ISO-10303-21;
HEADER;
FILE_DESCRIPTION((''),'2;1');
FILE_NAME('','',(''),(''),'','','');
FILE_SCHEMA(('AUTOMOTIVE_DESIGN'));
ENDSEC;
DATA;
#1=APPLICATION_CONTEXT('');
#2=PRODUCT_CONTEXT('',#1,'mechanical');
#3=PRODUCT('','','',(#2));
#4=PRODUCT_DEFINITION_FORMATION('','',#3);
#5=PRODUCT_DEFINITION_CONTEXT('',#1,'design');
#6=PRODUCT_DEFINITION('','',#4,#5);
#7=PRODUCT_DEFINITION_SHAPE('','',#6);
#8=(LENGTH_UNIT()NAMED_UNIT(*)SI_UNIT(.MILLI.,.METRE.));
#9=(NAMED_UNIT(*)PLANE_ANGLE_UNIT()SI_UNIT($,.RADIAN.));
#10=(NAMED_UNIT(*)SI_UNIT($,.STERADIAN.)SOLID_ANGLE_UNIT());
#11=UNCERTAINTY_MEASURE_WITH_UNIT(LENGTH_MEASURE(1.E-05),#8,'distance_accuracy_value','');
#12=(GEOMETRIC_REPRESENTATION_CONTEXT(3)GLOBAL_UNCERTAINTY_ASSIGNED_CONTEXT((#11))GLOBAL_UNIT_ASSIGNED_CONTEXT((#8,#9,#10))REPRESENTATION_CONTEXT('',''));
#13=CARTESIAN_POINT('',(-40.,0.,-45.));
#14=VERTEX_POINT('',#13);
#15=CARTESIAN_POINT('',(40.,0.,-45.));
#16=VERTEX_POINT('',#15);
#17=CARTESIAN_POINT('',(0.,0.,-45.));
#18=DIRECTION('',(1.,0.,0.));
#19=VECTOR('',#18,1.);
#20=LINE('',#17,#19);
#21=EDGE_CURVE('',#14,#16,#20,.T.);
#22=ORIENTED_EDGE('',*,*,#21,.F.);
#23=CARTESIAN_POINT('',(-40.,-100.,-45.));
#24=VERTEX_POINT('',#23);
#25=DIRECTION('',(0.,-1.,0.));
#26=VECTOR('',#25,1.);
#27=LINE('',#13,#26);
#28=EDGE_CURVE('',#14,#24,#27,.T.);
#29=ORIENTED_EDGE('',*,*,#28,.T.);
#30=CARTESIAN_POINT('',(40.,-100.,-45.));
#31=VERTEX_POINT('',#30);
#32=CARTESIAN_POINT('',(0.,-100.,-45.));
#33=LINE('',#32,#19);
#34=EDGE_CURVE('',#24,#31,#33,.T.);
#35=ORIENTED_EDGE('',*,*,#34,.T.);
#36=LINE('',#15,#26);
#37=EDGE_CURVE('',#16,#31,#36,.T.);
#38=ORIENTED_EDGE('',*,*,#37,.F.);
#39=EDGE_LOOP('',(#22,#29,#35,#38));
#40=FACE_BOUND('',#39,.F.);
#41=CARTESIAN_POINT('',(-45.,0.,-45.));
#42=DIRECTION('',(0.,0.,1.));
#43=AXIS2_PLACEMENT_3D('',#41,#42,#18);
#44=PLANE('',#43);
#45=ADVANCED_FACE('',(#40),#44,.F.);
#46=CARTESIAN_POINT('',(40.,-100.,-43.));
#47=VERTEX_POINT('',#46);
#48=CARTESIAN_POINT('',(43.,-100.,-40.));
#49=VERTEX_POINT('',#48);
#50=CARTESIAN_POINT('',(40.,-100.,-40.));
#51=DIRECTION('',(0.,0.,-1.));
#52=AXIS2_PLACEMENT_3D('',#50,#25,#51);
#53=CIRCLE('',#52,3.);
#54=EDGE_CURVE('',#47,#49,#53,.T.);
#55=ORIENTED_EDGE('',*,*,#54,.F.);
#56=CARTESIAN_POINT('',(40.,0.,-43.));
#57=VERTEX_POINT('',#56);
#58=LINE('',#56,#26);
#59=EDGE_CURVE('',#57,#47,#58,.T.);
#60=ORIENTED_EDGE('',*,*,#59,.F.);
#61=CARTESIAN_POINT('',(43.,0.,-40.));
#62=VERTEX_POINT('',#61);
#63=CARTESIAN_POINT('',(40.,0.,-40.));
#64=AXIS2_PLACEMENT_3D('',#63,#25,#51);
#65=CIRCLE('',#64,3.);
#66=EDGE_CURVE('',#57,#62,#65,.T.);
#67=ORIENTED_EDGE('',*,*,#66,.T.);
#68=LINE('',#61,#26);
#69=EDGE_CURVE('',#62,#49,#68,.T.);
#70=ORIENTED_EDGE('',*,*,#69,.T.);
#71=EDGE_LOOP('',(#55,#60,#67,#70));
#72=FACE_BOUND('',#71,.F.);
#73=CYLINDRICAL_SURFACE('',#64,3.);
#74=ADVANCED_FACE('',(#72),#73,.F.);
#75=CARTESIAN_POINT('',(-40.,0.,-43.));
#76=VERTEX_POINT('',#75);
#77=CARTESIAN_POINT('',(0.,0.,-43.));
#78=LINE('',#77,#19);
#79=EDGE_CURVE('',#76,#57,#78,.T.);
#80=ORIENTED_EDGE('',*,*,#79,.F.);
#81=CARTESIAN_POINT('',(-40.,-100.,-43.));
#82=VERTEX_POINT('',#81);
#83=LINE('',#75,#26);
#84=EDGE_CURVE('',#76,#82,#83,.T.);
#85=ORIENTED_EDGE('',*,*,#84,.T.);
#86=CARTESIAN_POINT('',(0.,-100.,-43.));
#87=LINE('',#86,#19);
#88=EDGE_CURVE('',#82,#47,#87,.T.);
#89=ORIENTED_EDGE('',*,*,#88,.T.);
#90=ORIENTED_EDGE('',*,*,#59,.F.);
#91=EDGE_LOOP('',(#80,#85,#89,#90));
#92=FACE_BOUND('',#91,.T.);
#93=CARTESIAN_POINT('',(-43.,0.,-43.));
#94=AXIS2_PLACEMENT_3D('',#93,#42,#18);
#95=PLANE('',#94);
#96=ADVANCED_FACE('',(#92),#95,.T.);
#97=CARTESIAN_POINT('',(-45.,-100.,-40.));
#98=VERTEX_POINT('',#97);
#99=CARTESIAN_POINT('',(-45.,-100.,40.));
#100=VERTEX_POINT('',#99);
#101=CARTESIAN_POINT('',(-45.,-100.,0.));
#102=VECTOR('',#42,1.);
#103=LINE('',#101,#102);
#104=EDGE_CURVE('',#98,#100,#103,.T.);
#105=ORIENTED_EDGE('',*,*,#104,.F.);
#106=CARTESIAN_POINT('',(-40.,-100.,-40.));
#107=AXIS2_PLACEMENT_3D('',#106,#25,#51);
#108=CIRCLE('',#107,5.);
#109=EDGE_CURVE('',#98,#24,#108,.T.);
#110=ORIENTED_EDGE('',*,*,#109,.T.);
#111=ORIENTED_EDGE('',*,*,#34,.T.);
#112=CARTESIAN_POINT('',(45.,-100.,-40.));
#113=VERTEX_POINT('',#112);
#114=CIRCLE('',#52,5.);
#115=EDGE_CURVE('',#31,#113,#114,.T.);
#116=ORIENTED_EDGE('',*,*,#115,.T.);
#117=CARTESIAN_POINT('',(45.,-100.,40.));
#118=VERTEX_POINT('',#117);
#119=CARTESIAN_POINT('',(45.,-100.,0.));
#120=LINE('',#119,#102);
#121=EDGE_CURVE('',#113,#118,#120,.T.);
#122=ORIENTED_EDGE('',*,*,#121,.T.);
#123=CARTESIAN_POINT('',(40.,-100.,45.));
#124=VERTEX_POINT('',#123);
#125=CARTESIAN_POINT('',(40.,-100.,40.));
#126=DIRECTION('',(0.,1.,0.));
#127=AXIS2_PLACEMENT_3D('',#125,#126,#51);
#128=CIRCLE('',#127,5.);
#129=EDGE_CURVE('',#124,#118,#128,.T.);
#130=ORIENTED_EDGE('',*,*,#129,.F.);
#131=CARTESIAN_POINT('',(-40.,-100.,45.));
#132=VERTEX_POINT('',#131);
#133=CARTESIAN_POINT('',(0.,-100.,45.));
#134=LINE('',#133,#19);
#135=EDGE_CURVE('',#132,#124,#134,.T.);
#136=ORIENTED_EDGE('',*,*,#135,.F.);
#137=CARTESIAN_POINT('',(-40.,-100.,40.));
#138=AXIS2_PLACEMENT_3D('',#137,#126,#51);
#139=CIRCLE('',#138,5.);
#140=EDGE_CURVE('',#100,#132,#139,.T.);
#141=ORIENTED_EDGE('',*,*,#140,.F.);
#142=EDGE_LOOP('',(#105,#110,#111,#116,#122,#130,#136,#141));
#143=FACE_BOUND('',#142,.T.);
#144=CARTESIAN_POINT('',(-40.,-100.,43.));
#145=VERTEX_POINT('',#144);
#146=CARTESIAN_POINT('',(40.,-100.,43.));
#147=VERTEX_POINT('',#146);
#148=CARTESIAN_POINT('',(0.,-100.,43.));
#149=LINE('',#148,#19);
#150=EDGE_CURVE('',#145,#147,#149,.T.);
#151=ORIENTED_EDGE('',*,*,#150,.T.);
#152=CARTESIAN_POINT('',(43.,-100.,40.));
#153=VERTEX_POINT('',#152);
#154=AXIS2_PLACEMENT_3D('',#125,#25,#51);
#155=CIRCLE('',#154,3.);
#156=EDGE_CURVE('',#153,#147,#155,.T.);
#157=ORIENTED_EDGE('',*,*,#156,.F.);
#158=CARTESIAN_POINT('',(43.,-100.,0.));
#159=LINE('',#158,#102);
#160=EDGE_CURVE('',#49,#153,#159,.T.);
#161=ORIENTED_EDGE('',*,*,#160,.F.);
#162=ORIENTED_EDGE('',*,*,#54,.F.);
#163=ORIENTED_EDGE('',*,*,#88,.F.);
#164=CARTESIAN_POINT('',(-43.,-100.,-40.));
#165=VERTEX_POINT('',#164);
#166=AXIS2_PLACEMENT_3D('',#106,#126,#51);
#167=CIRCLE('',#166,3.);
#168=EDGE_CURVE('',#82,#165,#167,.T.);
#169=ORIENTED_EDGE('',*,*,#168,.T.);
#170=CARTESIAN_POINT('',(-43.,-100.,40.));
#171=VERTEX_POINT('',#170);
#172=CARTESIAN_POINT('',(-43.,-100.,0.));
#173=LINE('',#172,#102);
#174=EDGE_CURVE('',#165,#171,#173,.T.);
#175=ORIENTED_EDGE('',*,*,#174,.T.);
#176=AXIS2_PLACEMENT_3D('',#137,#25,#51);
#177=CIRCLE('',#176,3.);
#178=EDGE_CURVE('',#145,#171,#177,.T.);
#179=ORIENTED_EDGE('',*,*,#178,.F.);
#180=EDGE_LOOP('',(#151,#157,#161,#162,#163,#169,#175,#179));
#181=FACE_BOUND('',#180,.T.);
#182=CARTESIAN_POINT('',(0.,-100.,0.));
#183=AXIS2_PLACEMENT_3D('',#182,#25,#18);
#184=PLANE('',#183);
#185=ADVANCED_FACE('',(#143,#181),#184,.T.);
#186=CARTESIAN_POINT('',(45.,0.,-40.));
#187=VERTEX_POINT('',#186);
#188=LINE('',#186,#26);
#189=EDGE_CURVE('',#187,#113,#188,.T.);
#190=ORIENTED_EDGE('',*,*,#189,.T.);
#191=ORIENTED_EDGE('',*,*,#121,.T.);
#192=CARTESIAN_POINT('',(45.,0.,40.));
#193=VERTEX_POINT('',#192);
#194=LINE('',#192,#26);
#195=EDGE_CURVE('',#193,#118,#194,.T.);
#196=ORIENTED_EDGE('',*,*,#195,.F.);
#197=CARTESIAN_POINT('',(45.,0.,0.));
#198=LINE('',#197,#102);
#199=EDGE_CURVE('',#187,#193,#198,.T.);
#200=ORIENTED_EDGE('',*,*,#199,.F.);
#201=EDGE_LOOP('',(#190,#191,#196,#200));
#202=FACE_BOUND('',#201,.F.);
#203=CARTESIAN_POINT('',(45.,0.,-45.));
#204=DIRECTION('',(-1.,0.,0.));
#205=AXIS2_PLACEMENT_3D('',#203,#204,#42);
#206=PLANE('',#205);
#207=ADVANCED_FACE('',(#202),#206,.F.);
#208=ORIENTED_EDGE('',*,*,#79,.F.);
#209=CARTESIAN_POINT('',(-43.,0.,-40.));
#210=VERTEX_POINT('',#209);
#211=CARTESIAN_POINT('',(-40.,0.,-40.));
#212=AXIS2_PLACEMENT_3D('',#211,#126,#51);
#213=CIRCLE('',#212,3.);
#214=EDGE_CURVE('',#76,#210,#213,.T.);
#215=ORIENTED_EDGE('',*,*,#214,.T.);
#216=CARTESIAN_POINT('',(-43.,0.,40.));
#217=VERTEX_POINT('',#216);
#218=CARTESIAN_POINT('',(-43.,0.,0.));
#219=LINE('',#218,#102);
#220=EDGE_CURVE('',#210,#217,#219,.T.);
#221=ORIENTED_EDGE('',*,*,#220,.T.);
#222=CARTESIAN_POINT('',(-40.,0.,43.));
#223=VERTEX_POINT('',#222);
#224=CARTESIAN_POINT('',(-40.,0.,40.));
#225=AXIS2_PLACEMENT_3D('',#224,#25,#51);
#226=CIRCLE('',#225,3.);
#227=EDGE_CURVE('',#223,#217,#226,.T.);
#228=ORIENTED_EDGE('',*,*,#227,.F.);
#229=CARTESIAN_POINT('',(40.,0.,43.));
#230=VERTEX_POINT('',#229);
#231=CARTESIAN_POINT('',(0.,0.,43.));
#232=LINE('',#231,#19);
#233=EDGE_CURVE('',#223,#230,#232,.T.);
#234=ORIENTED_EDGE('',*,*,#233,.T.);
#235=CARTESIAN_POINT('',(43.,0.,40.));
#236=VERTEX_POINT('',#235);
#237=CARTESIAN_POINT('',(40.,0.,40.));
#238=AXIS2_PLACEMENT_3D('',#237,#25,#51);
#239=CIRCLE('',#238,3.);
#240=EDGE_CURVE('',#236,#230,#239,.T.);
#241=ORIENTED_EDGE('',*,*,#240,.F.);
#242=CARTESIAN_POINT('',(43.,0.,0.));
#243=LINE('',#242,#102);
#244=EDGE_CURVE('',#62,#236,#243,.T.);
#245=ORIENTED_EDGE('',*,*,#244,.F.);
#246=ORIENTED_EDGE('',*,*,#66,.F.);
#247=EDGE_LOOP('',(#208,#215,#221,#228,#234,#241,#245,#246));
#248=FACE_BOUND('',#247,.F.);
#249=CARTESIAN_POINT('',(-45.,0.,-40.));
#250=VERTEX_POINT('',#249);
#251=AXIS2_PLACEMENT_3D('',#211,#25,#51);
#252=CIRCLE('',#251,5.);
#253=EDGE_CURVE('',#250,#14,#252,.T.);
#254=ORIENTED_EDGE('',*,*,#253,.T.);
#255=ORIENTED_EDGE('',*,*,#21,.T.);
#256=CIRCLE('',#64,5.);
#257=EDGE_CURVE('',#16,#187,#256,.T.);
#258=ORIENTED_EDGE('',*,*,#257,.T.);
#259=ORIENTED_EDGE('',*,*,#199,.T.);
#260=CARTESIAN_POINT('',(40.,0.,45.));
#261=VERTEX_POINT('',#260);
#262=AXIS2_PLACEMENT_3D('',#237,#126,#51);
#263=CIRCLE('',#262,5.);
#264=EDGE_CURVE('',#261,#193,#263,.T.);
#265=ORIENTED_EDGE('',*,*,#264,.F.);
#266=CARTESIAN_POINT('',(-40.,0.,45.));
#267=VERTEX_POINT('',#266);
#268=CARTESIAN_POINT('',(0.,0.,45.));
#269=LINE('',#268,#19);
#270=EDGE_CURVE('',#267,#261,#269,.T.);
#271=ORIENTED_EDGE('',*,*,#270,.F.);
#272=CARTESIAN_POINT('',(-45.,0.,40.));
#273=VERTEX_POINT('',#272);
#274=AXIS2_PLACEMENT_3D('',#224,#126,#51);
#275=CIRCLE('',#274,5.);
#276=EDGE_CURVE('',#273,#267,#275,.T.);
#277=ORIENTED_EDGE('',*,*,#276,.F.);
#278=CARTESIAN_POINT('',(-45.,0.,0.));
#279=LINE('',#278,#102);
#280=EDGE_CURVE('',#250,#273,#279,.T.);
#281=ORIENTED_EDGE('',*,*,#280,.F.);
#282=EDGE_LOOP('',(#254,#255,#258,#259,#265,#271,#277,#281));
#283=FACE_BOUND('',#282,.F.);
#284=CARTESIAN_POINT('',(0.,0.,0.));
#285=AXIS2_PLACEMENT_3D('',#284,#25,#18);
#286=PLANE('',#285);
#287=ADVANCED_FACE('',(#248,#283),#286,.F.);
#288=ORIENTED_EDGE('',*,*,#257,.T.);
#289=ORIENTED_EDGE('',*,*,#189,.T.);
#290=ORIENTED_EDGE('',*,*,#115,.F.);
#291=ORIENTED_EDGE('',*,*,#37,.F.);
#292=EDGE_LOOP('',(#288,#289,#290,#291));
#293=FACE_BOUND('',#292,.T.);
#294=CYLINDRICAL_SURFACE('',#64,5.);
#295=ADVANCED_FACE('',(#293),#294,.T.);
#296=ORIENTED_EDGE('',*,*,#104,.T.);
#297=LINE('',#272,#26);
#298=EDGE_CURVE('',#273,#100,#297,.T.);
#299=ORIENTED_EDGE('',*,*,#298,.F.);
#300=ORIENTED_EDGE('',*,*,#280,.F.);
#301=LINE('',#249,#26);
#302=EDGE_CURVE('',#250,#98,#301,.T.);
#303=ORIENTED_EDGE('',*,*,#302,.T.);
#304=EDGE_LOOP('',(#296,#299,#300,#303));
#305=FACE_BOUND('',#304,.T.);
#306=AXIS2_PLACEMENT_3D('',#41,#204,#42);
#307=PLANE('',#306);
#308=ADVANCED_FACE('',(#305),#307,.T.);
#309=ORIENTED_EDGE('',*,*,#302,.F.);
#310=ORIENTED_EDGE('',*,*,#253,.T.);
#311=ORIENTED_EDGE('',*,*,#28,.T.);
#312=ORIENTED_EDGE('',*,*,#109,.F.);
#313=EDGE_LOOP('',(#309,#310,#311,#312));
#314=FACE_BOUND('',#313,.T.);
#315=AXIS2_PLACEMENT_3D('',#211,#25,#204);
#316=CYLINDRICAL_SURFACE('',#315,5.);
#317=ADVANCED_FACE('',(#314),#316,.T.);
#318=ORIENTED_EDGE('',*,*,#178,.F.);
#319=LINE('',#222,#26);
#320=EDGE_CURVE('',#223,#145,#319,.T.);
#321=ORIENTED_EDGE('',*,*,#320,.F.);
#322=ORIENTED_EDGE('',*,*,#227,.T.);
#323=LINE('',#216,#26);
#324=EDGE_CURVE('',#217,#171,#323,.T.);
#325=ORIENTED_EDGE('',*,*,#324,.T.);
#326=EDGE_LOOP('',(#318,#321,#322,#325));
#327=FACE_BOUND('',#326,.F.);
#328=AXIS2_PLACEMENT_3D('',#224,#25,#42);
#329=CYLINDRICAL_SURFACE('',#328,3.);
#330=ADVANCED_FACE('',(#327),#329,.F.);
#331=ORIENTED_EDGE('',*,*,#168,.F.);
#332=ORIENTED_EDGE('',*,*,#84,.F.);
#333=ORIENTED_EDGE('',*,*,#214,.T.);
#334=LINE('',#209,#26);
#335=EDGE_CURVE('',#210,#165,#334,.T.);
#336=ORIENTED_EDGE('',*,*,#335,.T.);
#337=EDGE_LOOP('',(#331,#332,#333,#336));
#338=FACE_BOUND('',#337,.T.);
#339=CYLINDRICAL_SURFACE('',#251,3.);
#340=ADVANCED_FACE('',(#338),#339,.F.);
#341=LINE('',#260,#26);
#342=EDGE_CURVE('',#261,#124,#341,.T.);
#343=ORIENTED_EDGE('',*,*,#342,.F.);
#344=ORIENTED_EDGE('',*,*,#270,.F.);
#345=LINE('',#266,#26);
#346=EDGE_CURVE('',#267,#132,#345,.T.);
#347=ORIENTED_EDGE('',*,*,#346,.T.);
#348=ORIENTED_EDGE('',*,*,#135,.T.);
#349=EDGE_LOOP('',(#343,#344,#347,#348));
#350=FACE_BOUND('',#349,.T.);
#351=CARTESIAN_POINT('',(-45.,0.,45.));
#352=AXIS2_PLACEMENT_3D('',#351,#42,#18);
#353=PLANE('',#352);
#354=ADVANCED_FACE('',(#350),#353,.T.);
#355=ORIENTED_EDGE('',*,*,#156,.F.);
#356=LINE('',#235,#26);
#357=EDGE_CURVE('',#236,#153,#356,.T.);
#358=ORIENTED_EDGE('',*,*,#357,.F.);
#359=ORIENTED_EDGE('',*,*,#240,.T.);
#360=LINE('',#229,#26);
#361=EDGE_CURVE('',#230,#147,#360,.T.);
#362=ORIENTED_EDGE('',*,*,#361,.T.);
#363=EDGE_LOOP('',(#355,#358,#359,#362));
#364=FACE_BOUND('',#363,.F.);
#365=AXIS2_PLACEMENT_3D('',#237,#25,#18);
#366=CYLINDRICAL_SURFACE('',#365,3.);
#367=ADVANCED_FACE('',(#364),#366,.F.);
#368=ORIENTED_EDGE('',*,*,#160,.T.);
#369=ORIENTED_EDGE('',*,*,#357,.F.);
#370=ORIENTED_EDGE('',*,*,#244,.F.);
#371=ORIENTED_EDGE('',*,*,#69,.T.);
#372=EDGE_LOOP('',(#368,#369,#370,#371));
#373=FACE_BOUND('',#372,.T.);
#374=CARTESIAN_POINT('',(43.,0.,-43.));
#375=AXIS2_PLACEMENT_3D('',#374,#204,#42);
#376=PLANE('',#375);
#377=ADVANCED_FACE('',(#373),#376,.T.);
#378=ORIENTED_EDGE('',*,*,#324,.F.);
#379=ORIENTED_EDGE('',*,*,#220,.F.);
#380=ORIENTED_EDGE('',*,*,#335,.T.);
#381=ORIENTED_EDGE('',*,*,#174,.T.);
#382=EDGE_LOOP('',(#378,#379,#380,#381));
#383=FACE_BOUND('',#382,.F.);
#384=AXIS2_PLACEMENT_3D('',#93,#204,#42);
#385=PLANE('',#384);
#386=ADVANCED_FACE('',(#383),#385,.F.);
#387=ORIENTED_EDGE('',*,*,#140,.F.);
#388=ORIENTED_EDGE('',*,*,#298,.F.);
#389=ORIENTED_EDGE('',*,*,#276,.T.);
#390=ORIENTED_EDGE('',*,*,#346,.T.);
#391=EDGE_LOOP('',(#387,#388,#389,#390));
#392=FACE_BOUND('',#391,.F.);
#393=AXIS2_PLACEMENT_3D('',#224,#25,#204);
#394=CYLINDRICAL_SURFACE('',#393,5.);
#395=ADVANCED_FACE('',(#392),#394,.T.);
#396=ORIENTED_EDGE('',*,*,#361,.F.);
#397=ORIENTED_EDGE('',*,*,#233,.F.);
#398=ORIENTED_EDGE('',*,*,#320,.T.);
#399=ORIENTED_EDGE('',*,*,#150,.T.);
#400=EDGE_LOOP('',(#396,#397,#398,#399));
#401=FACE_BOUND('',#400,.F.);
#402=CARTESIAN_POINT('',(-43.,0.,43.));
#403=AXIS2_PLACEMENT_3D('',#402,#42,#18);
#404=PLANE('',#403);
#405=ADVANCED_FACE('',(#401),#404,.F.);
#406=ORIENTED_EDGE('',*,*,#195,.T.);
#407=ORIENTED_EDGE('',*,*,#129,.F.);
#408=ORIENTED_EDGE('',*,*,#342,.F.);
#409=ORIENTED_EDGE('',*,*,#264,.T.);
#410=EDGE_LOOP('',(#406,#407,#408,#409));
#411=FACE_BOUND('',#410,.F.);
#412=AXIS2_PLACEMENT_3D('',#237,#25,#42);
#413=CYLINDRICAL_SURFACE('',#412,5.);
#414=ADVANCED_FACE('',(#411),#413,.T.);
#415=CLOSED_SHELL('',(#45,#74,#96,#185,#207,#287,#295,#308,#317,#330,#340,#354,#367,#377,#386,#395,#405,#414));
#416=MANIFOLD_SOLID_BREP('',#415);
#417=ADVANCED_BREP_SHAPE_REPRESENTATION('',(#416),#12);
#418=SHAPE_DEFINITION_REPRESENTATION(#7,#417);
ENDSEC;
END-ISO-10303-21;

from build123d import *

# Parameters (mm, degrees)
F0_W     = 90
F0_H     = 90
F0_W_2   = 86
F0_H_2   = 86
F1_DEPTH = 100
F2_R     = 5
F3_R     = 3


with BuildPart() as f1:
    # F0 (on Front) → F1 (new body)
    with BuildSketch(Plane.XZ):
        Rectangle(F0_W, F0_H)
        Rectangle(F0_W_2, F0_H_2, mode=Mode.SUBTRACT)
    extrude(amount=F1_DEPTH)

    # F2
    f2_edges = [f1.edges().sort_by_distance(p)[0] for p in [
        (45, -50, 45),
        (-45, -50, 45),
        (45, -50, -45),
        (-45, -50, -45),
    ]]
    fillet(f2_edges, radius=F2_R)

    # F3
    f3_edges = [f1.edges().sort_by_distance(p)[0] for p in [
        (-43, -50, 43),
        (43, -50, 43),
        (-43, -50, -43),
        (43, -50, -43),
    ]]
    fillet(f3_edges, radius=F3_R)


solid = f1.part
